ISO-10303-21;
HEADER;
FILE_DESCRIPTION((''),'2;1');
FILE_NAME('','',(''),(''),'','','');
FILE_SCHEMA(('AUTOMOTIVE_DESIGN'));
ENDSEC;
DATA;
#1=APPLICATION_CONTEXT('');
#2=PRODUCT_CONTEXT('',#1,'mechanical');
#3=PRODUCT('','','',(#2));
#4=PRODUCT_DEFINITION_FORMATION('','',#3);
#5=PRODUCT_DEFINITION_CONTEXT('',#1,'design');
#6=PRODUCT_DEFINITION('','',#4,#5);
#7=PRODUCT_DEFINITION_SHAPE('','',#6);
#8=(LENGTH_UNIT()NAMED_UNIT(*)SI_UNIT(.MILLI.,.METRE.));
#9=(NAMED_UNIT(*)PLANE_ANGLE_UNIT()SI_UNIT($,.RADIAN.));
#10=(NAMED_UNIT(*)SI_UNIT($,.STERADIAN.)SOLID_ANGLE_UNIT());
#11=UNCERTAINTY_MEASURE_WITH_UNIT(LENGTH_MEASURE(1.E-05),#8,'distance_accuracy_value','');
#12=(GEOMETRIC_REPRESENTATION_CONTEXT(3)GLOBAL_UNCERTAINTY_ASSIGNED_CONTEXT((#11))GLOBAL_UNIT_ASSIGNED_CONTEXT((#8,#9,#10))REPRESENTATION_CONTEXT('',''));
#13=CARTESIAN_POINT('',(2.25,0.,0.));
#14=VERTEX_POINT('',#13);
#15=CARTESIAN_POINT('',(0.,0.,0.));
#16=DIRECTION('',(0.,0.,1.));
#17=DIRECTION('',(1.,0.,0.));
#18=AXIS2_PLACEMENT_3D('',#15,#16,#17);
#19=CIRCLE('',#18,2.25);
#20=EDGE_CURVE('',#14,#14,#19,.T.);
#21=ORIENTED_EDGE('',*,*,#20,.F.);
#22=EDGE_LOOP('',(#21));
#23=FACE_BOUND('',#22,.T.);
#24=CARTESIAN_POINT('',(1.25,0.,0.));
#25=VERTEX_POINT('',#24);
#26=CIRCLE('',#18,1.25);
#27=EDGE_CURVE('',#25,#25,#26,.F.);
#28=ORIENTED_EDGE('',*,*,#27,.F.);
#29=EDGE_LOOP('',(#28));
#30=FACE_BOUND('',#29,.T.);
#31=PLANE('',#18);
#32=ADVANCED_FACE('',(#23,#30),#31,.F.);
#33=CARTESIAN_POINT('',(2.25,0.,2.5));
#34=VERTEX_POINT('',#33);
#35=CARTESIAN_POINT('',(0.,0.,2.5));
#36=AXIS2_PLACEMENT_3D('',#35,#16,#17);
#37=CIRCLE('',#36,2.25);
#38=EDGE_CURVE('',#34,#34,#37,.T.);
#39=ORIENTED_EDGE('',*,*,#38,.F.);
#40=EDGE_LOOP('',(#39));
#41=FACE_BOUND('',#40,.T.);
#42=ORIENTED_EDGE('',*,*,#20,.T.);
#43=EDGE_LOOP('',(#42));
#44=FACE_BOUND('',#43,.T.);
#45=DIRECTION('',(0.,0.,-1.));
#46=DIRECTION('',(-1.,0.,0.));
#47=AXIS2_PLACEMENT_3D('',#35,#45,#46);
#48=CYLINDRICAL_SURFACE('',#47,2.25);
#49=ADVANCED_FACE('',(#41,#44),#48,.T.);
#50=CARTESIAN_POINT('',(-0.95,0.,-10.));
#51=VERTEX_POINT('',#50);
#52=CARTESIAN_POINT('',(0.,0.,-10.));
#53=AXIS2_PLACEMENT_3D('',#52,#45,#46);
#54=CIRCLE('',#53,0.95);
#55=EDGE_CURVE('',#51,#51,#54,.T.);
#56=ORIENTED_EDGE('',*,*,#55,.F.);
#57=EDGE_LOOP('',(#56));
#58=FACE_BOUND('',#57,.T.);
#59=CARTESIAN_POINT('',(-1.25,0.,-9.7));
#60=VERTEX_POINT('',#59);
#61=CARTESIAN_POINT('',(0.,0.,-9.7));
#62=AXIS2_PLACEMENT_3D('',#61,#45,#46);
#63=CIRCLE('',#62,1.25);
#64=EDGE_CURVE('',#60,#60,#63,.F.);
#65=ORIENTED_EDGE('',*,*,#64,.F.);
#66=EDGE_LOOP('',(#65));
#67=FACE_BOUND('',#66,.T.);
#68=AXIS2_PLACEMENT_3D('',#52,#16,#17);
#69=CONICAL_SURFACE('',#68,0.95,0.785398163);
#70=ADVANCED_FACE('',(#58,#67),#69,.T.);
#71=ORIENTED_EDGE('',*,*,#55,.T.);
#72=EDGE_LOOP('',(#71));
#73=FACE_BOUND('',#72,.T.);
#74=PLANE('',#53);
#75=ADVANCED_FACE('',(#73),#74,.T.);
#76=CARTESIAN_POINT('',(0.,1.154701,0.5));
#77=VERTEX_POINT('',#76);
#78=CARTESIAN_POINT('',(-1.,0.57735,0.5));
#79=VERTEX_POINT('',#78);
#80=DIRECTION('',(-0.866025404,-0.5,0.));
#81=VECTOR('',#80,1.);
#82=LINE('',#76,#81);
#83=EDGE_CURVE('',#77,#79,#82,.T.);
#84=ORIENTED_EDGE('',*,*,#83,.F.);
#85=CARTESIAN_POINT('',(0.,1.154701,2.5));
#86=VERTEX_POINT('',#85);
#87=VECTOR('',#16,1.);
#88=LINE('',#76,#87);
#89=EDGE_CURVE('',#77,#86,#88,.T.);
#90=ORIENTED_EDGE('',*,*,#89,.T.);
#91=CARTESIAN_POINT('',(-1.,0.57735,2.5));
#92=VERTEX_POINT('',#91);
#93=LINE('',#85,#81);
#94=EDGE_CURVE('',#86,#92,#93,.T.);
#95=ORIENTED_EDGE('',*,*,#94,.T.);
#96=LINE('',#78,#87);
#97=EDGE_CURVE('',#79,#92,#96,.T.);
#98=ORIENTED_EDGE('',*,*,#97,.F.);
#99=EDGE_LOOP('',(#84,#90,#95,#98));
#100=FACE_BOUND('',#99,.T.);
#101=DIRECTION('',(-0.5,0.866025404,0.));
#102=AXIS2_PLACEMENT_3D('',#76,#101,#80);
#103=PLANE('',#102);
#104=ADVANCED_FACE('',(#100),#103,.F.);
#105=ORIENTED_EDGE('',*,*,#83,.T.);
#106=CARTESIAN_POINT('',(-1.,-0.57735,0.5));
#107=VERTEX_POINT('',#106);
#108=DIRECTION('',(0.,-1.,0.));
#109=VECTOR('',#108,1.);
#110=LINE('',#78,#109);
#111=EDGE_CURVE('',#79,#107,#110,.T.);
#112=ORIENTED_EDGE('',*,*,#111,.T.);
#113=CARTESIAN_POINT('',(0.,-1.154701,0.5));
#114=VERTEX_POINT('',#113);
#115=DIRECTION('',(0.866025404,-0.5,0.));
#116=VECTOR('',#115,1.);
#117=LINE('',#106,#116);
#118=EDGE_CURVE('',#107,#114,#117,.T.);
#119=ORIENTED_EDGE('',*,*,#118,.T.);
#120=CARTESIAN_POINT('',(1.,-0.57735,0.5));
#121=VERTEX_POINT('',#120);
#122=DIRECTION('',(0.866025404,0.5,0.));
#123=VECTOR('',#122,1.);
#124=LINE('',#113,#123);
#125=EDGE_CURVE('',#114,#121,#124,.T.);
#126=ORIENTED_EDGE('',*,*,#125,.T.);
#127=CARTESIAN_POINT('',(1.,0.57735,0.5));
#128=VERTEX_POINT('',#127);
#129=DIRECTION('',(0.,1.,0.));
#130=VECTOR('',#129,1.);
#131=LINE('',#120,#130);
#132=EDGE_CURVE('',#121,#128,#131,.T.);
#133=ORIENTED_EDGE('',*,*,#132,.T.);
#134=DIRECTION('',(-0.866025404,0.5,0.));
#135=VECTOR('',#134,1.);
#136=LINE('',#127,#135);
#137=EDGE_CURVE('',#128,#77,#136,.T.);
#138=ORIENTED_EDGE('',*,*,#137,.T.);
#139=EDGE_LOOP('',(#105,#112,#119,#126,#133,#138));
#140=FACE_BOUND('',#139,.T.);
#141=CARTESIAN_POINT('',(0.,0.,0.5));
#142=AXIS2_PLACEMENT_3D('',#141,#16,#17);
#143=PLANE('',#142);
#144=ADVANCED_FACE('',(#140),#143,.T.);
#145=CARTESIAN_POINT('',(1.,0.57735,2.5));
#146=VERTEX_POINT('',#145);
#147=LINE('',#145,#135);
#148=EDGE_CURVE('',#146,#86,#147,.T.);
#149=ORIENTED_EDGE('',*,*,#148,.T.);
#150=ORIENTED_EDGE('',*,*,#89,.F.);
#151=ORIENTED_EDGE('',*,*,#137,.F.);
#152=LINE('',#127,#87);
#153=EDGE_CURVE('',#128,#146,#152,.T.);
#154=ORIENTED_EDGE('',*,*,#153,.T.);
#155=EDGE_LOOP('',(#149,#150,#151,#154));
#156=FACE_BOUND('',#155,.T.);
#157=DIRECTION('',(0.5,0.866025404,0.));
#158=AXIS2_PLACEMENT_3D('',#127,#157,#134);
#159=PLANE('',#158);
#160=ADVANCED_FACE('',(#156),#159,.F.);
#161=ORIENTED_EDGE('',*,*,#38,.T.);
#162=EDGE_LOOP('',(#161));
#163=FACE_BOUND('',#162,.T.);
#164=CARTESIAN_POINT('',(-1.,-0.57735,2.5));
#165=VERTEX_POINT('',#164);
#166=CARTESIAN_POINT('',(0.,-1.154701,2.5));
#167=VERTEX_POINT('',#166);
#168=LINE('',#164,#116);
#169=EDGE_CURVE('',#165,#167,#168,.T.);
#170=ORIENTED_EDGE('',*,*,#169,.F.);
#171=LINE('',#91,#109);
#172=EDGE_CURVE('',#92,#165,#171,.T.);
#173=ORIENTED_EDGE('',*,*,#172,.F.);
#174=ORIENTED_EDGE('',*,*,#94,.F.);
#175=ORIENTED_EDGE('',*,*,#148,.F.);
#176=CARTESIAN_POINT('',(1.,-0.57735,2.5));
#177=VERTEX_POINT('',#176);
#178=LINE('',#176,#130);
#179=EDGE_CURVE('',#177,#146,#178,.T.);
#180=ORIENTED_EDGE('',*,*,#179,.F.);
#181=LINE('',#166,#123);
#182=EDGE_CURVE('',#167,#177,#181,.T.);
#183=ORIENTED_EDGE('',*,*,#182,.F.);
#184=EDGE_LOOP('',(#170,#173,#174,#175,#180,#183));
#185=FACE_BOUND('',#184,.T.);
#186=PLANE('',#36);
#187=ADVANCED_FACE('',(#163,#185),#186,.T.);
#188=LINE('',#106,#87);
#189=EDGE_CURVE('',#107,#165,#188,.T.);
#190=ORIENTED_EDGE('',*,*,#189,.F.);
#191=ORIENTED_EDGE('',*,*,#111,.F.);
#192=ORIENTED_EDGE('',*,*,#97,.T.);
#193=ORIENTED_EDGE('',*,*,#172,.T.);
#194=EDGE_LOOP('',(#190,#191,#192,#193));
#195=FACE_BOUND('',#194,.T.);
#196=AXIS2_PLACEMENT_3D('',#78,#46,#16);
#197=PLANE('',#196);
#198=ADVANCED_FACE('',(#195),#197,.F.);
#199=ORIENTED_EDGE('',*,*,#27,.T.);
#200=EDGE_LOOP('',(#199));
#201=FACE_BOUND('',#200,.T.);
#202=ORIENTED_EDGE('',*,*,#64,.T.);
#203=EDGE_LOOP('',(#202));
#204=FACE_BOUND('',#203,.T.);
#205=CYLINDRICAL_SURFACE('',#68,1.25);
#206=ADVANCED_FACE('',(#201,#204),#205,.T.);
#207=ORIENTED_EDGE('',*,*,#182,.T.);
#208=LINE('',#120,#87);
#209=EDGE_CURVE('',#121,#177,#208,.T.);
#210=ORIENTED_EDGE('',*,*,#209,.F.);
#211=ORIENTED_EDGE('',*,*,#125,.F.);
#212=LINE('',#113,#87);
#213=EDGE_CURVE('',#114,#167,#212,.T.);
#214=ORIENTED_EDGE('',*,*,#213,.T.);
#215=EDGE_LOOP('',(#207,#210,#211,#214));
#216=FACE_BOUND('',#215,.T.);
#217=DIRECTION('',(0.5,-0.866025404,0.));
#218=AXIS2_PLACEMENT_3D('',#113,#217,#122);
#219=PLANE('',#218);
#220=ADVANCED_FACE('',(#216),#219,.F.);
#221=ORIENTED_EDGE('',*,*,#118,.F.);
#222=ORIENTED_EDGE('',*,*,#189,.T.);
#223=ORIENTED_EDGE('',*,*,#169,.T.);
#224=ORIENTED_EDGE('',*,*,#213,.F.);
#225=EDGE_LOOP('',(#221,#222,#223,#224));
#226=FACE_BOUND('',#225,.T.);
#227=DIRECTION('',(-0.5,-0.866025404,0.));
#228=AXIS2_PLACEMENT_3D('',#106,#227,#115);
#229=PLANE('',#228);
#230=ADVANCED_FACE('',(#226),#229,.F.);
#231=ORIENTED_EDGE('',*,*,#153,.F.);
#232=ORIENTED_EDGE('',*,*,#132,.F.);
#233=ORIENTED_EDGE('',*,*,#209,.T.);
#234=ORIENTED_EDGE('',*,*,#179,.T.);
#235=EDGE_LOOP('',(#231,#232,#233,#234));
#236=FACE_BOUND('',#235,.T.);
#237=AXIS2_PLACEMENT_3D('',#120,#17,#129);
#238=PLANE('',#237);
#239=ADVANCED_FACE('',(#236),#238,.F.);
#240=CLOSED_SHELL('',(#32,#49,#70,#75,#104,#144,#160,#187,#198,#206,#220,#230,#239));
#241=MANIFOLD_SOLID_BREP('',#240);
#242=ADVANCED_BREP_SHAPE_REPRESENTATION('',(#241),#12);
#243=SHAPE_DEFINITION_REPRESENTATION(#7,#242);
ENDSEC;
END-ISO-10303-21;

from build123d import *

# Parameters (mm, degrees)
SKETCH1_R           = 2.25
BOSS_EXTRUDE1_DEPTH = 2.5
SKETCH2_R           = 1.25
BOSS_EXTRUDE2_DEPTH = 10
CHAMFER1_SIZE       = 0.3
CUT_EXTRUDE1_DEPTH  = 2


with BuildPart() as part:
    # Sketch1 → Boss-Extrude1 (new body)
    with BuildSketch(Plane.XY):
        Circle(SKETCH1_R)
    extrude(amount=BOSS_EXTRUDE1_DEPTH)

    # Sketch2 → Boss-Extrude2 (add)
    with BuildSketch(Plane(origin=(0, 0, 0), x_dir=(-1, 0, 0), z_dir=(0, 0, -1))):
        Circle(SKETCH2_R)
    extrude(amount=BOSS_EXTRUDE2_DEPTH)

    # Chamfer1
    chamfer1_edges = [part.edges().sort_by_distance(p)[0] for p in [
        (1.25, 0, -10),
    ]]
    chamfer(chamfer1_edges, length=CHAMFER1_SIZE)

    # Sketch3 → Cut-Extrude1 (cut)
    with BuildSketch(Plane.XY.offset(2.5)):
        Polygon((0, 1.154700538), (-1, 0.577350269), (-1, -0.577350269), (0, -1.154700538), (1, -0.577350269), (1, 0.577350269), align=None)
    extrude(amount=-CUT_EXTRUDE1_DEPTH, mode=Mode.SUBTRACT)


solid = part.part
